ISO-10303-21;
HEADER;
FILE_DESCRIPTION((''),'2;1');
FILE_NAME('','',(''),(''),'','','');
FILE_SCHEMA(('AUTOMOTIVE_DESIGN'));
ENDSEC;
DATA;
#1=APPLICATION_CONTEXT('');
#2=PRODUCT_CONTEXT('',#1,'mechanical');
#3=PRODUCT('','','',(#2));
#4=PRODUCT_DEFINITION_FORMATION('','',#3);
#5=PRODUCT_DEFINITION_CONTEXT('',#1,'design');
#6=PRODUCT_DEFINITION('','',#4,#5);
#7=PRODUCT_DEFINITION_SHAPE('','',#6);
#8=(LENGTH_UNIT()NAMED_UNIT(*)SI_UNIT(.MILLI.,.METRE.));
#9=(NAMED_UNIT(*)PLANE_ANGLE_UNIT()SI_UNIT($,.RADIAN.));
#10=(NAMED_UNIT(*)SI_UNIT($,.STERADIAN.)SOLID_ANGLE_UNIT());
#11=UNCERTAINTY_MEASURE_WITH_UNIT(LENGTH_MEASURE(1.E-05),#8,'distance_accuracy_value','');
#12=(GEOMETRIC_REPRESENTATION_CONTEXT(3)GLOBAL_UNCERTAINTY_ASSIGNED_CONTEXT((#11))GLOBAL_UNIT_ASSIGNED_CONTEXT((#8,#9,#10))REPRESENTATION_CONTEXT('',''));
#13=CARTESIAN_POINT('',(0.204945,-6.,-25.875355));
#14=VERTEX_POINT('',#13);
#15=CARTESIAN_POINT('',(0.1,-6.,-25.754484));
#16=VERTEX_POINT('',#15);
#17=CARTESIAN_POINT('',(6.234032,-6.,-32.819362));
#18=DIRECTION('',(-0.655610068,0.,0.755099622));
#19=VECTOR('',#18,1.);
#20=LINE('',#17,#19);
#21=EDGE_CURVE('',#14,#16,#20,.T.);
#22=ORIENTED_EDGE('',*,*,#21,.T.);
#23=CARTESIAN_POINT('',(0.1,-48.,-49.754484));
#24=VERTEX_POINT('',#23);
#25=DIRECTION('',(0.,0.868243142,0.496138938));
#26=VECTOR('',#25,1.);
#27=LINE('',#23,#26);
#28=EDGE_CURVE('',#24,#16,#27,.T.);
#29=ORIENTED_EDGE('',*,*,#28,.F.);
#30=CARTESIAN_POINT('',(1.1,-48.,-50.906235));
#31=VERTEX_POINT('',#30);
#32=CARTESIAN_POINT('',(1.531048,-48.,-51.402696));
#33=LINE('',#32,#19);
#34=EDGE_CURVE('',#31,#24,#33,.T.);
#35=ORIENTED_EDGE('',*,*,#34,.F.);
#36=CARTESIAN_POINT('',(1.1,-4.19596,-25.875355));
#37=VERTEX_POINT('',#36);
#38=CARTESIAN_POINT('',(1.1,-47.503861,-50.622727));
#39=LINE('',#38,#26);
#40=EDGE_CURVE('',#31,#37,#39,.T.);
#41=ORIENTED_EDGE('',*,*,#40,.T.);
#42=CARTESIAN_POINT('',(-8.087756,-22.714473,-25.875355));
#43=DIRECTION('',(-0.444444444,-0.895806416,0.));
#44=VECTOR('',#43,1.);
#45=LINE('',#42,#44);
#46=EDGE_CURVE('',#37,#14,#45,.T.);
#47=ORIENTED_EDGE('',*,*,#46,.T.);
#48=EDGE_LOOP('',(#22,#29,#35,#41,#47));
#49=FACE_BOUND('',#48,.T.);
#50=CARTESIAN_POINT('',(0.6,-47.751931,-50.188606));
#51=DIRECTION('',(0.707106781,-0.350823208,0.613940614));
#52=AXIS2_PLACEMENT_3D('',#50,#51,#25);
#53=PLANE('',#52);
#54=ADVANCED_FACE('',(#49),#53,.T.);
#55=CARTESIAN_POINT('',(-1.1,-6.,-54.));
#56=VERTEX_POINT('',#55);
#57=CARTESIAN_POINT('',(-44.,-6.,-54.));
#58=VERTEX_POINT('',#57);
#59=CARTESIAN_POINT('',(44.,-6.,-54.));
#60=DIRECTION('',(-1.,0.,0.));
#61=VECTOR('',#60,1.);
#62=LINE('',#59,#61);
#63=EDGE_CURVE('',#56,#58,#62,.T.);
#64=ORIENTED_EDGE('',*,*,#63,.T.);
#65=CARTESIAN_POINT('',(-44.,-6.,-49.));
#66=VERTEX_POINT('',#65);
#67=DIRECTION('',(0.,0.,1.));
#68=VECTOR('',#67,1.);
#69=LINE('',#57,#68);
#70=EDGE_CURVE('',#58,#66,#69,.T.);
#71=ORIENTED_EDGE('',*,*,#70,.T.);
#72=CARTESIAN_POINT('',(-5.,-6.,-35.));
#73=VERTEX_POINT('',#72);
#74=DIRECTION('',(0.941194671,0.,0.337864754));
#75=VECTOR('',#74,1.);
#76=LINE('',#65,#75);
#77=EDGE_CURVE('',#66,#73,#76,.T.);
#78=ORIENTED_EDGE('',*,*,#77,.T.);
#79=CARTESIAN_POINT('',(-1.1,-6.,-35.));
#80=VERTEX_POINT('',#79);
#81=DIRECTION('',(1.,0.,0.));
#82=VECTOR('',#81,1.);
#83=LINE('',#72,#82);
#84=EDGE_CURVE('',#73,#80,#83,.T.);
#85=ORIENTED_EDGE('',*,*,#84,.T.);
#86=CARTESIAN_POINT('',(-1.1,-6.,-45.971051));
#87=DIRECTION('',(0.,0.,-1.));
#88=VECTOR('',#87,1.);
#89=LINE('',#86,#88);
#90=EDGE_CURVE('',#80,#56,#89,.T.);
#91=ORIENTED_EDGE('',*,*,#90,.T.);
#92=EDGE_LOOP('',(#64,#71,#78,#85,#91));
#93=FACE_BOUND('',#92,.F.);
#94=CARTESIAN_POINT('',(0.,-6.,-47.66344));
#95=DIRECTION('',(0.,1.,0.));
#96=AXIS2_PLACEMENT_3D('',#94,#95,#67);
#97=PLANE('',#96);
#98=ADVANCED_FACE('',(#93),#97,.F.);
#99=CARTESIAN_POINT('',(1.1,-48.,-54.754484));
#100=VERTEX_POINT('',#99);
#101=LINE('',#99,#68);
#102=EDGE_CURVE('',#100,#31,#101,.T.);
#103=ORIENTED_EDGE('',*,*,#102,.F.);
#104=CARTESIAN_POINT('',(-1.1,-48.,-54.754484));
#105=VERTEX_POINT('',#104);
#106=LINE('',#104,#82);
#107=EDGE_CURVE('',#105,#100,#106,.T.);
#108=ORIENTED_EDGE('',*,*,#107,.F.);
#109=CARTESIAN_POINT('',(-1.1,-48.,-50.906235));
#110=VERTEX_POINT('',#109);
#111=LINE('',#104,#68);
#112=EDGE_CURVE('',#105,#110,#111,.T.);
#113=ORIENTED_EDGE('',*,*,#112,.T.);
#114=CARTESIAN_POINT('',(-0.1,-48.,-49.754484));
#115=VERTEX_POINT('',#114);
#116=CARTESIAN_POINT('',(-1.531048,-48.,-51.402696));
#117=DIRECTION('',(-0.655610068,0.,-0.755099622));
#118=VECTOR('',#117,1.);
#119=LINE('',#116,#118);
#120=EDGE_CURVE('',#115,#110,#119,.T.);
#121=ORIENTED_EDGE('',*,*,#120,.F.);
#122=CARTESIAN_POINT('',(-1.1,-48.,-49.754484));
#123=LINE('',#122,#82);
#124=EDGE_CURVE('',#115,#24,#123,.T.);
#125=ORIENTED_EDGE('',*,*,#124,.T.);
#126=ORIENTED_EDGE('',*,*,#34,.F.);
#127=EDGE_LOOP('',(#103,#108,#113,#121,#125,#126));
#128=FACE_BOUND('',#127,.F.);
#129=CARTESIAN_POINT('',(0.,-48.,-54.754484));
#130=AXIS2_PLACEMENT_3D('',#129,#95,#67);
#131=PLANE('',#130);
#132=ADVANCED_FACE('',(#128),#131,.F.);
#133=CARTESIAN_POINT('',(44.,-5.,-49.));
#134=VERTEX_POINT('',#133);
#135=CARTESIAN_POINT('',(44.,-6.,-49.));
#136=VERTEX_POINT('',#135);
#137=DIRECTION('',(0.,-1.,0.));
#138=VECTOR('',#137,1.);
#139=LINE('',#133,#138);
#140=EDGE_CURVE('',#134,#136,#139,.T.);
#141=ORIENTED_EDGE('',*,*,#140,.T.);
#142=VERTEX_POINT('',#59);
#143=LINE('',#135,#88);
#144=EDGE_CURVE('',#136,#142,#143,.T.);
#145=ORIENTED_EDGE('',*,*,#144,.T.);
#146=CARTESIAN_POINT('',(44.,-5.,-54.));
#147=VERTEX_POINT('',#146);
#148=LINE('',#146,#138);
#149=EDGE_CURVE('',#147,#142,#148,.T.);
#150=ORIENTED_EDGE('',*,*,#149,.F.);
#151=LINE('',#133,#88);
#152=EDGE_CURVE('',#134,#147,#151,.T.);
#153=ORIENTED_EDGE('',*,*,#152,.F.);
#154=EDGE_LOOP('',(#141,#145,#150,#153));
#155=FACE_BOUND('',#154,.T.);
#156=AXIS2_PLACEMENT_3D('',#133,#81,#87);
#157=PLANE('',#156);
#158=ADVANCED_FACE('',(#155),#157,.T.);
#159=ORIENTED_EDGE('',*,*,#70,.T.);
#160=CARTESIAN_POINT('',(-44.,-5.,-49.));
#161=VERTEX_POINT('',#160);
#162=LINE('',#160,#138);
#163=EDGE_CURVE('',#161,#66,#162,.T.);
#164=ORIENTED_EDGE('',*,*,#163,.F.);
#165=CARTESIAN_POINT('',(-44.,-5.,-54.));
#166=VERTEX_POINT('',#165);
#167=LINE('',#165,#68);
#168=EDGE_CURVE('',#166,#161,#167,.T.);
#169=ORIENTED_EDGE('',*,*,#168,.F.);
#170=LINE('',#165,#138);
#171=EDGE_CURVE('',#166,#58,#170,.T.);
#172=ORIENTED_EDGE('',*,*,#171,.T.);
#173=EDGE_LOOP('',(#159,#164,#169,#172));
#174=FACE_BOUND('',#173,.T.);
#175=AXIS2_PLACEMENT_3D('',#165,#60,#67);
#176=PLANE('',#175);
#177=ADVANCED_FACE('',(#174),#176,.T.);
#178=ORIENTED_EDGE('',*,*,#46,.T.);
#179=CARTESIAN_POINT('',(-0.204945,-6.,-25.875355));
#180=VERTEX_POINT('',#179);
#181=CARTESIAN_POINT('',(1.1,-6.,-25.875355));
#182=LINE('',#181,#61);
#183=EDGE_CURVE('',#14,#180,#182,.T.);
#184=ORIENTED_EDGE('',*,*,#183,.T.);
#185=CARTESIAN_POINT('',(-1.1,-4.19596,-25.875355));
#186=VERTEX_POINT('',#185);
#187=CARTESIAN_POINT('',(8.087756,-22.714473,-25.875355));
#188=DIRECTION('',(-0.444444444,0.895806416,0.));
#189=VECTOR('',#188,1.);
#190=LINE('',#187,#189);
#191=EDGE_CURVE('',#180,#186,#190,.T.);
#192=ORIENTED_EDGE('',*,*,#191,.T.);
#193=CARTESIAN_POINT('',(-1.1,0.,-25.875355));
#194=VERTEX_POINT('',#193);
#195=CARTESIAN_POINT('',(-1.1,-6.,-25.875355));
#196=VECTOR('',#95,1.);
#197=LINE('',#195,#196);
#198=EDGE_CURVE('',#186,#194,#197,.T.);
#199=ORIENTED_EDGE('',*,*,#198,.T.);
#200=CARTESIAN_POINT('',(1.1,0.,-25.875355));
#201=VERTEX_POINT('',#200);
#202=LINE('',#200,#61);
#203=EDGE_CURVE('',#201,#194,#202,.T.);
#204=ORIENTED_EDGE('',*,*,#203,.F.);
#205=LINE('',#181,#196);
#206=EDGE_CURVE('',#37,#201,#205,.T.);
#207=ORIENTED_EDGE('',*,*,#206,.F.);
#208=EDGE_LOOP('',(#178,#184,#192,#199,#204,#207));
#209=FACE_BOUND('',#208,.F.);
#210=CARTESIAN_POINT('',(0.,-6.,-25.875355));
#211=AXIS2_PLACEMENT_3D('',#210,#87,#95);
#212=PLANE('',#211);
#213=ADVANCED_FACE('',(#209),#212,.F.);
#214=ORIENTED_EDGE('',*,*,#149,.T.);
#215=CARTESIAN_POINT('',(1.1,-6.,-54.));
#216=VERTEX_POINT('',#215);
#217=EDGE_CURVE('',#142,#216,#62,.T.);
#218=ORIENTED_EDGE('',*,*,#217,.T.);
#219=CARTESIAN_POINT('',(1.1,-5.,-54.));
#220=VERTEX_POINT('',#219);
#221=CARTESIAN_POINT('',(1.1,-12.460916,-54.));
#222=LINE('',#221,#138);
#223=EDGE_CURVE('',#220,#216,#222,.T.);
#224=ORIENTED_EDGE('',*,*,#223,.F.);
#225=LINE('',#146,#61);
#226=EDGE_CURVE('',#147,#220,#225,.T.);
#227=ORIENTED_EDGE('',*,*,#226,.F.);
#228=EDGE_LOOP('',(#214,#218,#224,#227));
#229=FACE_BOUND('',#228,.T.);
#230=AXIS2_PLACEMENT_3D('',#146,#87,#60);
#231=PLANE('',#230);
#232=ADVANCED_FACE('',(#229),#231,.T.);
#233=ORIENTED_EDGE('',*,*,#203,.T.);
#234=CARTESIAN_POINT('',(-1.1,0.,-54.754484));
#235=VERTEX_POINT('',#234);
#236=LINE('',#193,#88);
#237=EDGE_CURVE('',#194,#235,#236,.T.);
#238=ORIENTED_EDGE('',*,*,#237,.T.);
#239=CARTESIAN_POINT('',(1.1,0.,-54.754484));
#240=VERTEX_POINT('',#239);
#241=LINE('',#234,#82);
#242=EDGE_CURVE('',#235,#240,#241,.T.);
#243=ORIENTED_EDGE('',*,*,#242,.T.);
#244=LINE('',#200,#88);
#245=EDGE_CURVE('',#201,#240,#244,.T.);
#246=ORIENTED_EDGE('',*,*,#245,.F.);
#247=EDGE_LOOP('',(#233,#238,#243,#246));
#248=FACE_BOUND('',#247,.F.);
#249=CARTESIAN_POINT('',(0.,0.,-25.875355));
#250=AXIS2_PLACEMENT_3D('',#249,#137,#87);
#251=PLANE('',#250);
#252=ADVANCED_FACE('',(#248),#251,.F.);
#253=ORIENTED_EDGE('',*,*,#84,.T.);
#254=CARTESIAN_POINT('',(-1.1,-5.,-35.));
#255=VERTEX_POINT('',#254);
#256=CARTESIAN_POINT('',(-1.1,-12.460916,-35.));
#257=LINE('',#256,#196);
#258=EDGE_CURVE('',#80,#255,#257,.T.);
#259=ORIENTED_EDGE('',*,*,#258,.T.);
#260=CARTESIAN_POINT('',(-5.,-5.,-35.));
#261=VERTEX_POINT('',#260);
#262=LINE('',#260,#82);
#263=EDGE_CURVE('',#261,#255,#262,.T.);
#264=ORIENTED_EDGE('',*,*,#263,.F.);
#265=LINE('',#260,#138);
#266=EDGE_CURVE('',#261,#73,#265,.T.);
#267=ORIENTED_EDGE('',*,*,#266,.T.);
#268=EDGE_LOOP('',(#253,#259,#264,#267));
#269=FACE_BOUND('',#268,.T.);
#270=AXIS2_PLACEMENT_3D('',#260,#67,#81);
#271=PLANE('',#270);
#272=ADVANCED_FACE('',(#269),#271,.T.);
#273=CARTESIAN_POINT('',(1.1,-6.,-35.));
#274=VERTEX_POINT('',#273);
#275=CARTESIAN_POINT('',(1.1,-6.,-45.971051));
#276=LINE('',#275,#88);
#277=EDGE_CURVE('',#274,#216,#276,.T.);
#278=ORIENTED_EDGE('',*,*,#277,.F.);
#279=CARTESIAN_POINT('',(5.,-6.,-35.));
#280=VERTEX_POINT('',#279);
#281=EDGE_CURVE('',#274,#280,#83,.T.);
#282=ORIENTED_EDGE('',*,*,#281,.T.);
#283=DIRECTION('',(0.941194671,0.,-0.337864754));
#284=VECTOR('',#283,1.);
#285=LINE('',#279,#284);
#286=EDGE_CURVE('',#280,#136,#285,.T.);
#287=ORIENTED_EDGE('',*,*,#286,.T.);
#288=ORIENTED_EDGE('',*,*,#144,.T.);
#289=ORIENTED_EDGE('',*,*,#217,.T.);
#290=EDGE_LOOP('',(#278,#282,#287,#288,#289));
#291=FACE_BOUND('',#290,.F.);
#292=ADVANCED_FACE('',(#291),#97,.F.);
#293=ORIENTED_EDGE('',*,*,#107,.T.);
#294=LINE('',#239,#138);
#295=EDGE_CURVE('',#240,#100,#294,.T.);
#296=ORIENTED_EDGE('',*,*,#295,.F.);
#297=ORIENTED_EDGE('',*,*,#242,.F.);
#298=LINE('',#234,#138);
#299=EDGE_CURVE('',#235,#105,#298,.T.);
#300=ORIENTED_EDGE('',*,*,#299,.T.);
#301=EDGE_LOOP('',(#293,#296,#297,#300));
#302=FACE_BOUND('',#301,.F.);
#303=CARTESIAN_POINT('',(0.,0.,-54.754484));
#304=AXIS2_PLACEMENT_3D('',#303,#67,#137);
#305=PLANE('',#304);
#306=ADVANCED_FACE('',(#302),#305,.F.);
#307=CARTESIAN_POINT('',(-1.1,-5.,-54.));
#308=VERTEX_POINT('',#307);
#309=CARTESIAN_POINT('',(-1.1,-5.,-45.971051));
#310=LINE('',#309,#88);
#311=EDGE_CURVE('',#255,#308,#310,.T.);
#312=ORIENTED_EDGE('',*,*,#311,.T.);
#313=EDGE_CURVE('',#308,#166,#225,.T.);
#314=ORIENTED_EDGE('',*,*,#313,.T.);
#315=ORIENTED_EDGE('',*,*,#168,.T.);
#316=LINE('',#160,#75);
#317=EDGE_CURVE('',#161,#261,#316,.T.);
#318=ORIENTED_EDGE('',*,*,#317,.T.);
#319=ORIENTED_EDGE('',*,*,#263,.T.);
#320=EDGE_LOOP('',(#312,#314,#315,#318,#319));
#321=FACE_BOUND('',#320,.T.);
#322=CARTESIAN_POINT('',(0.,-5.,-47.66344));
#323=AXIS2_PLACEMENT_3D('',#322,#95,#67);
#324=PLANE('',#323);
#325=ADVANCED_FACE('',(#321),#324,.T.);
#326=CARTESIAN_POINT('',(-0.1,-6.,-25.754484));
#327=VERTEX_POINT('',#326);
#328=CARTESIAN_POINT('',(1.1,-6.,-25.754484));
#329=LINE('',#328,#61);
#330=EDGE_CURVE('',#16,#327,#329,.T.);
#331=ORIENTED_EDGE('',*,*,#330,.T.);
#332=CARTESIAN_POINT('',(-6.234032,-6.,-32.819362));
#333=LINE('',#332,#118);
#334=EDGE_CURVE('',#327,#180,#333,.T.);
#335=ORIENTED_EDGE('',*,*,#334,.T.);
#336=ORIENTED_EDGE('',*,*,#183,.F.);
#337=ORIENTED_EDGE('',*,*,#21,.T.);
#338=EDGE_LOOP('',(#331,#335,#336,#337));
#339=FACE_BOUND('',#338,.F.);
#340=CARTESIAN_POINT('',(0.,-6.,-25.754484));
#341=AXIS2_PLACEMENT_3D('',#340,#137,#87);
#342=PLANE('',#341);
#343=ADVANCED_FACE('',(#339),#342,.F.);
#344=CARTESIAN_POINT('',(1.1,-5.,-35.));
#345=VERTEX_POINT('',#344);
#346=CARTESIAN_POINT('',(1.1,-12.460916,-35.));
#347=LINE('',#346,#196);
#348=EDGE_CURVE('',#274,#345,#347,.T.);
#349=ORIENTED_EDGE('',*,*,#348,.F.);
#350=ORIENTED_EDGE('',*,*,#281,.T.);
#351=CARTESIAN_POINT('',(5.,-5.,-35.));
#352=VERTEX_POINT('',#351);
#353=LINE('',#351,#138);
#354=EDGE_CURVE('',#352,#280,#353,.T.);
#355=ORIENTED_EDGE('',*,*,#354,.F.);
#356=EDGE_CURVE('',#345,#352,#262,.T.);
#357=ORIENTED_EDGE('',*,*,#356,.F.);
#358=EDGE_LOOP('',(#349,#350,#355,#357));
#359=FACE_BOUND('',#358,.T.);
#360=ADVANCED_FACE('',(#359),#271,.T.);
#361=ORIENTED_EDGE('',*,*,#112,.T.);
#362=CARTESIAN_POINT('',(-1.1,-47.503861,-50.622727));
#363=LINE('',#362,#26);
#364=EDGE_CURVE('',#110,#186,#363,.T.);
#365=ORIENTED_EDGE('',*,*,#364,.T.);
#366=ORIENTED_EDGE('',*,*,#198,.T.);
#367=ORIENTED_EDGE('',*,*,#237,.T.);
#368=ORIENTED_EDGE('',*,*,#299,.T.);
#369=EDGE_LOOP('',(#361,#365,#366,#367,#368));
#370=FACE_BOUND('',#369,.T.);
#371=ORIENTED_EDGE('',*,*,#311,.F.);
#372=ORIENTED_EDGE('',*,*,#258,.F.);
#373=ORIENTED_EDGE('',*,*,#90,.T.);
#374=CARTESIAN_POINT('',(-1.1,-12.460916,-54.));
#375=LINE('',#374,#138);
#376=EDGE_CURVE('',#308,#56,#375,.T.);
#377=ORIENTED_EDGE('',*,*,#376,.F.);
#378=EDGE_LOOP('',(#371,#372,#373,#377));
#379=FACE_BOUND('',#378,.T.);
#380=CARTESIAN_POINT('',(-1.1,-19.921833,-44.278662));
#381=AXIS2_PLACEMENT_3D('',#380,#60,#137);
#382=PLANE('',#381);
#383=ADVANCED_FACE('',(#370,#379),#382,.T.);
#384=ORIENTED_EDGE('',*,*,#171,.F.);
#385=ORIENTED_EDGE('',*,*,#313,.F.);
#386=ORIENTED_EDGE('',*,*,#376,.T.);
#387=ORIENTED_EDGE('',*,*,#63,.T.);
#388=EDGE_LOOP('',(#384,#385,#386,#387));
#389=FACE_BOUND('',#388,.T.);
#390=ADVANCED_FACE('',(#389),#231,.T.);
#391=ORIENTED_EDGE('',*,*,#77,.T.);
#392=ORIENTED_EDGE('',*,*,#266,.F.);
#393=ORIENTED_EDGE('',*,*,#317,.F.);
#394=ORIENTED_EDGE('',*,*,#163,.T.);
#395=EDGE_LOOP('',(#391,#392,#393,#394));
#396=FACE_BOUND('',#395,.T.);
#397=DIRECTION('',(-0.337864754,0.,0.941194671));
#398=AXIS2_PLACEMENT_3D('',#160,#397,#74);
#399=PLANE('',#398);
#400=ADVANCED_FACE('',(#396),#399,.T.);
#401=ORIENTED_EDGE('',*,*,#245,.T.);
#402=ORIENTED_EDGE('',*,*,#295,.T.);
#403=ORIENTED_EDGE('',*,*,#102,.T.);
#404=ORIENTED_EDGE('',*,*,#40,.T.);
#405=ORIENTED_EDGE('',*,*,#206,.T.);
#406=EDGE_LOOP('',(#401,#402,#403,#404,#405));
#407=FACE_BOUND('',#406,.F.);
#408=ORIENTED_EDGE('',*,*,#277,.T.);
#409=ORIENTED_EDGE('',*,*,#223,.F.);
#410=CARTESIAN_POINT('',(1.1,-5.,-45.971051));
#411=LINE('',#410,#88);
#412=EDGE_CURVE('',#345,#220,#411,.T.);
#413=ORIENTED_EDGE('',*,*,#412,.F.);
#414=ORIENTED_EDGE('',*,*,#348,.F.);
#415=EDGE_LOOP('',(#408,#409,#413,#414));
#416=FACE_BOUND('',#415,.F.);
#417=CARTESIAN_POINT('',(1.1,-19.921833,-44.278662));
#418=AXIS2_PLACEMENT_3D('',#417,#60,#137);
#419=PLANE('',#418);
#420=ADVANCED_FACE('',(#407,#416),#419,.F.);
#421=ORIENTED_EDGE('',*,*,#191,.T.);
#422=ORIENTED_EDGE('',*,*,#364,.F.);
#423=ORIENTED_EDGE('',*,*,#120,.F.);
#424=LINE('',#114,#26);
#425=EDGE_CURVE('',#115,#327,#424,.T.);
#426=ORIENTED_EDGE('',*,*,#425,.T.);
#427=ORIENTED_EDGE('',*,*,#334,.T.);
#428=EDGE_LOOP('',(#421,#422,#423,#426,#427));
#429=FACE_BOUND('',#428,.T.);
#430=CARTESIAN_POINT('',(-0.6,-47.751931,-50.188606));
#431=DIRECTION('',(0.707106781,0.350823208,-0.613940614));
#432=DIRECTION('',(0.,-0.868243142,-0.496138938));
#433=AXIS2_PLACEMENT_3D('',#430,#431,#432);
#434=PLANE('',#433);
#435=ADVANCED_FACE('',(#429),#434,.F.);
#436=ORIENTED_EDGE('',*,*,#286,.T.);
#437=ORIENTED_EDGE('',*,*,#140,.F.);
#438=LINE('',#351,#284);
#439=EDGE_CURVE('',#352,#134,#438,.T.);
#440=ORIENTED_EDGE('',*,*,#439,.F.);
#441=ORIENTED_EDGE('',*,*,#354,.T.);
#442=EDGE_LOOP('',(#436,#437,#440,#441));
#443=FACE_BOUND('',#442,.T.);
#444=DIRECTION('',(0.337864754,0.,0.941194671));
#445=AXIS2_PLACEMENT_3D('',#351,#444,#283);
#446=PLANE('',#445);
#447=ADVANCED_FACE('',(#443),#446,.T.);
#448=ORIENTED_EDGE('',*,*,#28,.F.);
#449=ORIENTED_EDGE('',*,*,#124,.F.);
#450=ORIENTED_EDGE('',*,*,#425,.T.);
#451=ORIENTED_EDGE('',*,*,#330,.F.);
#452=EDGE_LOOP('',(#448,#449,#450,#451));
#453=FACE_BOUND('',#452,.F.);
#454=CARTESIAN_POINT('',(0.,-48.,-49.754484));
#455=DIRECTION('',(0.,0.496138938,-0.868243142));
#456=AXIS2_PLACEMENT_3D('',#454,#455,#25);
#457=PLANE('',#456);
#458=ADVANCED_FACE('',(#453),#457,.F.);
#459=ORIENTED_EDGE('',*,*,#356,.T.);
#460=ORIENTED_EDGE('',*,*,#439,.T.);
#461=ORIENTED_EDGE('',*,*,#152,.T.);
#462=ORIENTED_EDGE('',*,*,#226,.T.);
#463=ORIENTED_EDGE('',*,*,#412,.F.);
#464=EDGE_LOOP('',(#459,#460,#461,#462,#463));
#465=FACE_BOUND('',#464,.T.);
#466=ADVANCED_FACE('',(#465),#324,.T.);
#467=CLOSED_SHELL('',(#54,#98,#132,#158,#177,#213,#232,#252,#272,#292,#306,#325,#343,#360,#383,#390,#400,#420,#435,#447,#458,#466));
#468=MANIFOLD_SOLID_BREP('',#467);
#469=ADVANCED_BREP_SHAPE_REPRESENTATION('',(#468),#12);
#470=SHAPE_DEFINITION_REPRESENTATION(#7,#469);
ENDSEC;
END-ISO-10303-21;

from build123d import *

# Parameters (mm, degrees)
PAD002_DEPTH    = 1.1
PAD003_DEPTH    = 1
CHAMFER001_SIZE = 1


with BuildPart() as part:
    # Sketch008 → Pad002 (new body, symmetric)
    with BuildSketch(Plane.YZ):
        Polygon((-48, -68.754484), (-6, -44.754484), (-6, -44.875355), (0, -44.875355), (0, -73.754484), (-48, -73.754484), align=None)
    extrude(amount=PAD002_DEPTH, both=True)

    # Sketch009 → Pad003 (join)
    with BuildSketch(Plane(origin=(0, -5, 0), x_dir=(0, 0, -1), z_dir=(0, -1, 0))):
        Polygon((54, 5), (68, 44), (73, 44), (73, -44), (68, -44), (54, -5), align=None)
    extrude(amount=PAD003_DEPTH)

    # Chamfer001
    chamfer001_edges = [part.edges().sort_by_distance(p)[0] for p in [
        (-1.1, -27, -56.754484),
        (1.1, -27, -56.754484),
    ]]
    chamfer(chamfer001_edges, length=CHAMFER001_SIZE)


with BuildPart() as part_1:
    # Body001 placement: moved
    add(part.part.moved(Location((0, 0, 19))))


solid = part_1.part
